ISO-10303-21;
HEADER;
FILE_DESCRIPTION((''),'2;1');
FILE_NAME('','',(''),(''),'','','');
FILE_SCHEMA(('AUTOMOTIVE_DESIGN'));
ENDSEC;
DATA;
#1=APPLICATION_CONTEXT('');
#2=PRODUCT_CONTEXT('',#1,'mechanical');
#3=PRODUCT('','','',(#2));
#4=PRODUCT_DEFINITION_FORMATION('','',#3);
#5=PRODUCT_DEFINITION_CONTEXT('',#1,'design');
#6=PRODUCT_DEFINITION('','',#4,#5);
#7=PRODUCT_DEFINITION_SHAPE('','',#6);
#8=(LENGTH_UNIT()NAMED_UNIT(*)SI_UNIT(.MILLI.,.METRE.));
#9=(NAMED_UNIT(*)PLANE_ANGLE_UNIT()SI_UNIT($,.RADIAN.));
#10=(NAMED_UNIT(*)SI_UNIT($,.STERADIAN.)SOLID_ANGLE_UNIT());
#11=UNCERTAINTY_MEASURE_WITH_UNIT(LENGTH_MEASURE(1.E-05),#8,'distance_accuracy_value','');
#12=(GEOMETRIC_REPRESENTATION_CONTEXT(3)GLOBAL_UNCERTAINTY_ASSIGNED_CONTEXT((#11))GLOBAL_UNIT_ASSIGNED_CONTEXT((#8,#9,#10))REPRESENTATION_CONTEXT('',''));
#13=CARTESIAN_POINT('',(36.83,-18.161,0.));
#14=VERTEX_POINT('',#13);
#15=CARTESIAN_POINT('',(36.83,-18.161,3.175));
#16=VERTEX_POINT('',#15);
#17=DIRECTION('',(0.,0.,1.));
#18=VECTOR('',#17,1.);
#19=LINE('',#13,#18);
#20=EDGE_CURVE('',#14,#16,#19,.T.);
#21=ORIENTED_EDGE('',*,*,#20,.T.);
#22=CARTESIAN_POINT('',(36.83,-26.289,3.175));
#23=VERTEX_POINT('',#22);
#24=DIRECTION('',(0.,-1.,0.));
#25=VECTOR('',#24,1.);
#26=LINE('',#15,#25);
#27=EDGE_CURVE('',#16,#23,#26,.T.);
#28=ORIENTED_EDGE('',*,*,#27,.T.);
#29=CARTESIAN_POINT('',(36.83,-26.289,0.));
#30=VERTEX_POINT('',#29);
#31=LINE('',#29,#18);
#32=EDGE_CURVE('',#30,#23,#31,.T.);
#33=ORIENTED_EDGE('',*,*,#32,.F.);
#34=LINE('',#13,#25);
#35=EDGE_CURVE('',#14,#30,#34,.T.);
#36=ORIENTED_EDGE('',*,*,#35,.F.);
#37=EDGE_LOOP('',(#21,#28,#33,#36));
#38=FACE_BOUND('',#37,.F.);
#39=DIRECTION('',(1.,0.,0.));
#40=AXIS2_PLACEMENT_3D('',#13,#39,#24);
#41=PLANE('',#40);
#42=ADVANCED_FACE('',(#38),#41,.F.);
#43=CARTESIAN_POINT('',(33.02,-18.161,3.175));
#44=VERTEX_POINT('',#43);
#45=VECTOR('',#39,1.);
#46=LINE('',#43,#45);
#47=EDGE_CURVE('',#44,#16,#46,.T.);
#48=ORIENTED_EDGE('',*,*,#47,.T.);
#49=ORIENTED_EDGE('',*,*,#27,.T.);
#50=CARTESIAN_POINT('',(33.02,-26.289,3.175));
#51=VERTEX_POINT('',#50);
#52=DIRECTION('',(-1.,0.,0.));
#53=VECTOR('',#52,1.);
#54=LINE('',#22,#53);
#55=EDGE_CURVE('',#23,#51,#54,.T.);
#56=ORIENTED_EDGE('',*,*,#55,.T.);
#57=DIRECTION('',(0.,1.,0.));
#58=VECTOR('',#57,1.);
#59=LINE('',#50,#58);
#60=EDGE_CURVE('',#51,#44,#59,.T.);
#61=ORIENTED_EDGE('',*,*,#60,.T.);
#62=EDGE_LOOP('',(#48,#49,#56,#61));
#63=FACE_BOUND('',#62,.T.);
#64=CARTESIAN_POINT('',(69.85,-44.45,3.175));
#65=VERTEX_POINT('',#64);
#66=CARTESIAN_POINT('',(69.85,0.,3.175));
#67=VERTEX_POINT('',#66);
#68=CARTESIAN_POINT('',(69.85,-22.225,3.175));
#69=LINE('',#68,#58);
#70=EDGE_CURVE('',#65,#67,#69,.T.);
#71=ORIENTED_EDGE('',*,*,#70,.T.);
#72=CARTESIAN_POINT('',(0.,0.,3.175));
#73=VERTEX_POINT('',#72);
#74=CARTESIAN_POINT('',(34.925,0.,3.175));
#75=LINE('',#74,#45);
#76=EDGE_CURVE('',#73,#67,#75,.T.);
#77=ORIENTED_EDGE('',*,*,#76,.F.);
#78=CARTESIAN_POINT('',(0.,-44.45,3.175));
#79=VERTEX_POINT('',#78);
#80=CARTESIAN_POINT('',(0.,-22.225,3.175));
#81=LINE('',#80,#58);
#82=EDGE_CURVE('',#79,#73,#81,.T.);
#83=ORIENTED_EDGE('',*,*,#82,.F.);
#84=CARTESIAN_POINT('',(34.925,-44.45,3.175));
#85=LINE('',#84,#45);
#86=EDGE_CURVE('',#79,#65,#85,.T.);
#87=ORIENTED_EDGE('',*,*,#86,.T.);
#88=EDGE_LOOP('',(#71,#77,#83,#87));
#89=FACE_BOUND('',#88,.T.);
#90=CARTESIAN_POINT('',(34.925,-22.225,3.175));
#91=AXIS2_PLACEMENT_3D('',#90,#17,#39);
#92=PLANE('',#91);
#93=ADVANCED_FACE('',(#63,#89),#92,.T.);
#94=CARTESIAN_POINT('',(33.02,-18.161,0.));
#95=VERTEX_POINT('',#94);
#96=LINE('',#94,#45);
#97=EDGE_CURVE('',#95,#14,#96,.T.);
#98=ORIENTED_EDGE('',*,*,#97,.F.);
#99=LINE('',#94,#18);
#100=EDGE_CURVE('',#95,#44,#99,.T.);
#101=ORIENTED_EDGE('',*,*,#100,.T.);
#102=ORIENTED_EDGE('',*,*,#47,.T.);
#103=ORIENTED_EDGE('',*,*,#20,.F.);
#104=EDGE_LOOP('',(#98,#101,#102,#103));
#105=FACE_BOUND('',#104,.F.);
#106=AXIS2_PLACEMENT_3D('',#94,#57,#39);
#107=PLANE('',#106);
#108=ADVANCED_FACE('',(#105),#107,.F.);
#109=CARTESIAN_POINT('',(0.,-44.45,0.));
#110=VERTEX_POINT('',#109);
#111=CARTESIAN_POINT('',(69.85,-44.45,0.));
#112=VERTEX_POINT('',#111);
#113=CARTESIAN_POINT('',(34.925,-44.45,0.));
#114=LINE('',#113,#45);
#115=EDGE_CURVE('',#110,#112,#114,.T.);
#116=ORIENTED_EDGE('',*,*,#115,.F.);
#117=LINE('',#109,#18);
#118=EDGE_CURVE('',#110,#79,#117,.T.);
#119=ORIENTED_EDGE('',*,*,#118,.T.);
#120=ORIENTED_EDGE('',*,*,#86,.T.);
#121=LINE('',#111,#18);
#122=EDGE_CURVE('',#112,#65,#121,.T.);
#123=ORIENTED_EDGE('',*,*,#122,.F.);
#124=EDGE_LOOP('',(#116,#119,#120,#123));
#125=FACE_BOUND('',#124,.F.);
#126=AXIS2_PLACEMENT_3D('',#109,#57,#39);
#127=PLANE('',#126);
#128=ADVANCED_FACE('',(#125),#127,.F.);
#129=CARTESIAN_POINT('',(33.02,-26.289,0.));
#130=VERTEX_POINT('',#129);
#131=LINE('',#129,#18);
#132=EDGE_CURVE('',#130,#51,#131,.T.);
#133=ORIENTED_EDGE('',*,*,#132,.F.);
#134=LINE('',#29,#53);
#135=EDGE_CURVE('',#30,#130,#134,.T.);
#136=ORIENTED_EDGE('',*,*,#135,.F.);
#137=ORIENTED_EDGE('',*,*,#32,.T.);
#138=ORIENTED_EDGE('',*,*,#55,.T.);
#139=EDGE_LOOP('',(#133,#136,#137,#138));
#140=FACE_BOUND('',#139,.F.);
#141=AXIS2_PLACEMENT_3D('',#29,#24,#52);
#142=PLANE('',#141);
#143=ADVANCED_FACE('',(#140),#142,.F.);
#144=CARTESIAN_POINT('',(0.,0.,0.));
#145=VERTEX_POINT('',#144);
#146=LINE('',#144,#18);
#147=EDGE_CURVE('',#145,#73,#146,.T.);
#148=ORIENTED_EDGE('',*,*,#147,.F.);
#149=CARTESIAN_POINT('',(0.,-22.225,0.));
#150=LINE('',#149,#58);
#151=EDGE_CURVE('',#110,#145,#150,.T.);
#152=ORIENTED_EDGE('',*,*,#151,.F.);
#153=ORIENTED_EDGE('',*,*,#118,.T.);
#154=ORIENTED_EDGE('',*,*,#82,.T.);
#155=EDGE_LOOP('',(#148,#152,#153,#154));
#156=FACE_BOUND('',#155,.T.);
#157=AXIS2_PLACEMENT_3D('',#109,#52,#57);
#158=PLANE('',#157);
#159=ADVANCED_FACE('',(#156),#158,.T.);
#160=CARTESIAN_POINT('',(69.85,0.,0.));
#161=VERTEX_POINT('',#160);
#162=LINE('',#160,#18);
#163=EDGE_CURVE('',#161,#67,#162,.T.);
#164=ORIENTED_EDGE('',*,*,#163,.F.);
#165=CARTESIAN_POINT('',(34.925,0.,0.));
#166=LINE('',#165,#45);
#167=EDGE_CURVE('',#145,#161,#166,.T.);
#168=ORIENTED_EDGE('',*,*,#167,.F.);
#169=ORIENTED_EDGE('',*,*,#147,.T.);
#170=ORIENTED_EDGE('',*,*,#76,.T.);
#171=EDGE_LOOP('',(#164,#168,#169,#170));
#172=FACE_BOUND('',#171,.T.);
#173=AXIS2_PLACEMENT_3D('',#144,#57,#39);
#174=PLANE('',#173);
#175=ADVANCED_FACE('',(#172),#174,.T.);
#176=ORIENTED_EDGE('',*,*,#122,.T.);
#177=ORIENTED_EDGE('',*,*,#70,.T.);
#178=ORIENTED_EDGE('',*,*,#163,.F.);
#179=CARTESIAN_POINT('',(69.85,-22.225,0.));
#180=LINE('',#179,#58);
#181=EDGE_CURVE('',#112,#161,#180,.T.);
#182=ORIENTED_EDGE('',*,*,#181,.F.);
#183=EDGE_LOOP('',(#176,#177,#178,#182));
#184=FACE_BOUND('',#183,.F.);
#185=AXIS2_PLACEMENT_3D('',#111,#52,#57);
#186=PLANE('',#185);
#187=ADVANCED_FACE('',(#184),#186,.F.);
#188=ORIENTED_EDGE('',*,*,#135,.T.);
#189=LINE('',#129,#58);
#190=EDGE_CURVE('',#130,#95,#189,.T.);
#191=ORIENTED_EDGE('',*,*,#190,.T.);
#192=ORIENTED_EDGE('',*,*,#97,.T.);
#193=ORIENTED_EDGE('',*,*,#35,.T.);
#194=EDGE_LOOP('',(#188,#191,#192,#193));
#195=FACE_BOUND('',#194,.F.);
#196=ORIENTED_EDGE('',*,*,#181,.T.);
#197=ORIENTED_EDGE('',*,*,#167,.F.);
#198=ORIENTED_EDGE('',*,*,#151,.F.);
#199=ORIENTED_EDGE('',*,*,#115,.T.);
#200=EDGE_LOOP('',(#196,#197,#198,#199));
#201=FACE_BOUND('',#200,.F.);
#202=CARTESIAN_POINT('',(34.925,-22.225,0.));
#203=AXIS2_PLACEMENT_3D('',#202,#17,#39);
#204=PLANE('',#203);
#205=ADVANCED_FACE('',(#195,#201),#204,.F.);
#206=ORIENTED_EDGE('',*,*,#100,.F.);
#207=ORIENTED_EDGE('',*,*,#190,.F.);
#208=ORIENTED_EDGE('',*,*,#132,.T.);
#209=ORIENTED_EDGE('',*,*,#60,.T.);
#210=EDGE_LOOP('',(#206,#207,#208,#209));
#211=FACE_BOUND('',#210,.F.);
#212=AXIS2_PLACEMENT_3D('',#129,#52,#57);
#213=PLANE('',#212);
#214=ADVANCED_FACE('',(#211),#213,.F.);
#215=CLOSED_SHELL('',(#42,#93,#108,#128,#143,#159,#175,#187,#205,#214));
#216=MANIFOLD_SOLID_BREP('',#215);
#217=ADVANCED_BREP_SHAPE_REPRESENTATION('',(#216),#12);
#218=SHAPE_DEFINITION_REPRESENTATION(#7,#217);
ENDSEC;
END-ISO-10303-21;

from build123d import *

# Parameters (mm, degrees)
F0_W     = 69.85
F0_H     = 44.45
F1_DEPTH = 3.175
F2_W     = 1.905
F2_H     = 4.064
F3_DEPTH = 3.175


with BuildPart() as f1:
    # F0 (on Top) → F1 (new body)
    with BuildSketch(Plane.XY):
        with Locations((34.925, -22.225)):
            Rectangle(F0_W, F0_H)
    extrude(amount=F1_DEPTH)

    # F2 (on face) → F3 (cut, through all)
    with BuildSketch(Plane(origin=(0, 0, 0), x_dir=(1, 0, 0), z_dir=(0, 0, -1))):
        with Locations((35.8775, 20.193)):
            Rectangle(F2_W, F2_H)
        with Locations((33.9725, 20.193)):
            Rectangle(F2_W, F2_H)
        with Locations((35.8775, 24.257)):
            Rectangle(F2_W, F2_H)
        with Locations((33.9725, 24.257)):
            Rectangle(F2_W, F2_H)
    extrude(amount=-F3_DEPTH, mode=Mode.SUBTRACT)


solid = f1.part
